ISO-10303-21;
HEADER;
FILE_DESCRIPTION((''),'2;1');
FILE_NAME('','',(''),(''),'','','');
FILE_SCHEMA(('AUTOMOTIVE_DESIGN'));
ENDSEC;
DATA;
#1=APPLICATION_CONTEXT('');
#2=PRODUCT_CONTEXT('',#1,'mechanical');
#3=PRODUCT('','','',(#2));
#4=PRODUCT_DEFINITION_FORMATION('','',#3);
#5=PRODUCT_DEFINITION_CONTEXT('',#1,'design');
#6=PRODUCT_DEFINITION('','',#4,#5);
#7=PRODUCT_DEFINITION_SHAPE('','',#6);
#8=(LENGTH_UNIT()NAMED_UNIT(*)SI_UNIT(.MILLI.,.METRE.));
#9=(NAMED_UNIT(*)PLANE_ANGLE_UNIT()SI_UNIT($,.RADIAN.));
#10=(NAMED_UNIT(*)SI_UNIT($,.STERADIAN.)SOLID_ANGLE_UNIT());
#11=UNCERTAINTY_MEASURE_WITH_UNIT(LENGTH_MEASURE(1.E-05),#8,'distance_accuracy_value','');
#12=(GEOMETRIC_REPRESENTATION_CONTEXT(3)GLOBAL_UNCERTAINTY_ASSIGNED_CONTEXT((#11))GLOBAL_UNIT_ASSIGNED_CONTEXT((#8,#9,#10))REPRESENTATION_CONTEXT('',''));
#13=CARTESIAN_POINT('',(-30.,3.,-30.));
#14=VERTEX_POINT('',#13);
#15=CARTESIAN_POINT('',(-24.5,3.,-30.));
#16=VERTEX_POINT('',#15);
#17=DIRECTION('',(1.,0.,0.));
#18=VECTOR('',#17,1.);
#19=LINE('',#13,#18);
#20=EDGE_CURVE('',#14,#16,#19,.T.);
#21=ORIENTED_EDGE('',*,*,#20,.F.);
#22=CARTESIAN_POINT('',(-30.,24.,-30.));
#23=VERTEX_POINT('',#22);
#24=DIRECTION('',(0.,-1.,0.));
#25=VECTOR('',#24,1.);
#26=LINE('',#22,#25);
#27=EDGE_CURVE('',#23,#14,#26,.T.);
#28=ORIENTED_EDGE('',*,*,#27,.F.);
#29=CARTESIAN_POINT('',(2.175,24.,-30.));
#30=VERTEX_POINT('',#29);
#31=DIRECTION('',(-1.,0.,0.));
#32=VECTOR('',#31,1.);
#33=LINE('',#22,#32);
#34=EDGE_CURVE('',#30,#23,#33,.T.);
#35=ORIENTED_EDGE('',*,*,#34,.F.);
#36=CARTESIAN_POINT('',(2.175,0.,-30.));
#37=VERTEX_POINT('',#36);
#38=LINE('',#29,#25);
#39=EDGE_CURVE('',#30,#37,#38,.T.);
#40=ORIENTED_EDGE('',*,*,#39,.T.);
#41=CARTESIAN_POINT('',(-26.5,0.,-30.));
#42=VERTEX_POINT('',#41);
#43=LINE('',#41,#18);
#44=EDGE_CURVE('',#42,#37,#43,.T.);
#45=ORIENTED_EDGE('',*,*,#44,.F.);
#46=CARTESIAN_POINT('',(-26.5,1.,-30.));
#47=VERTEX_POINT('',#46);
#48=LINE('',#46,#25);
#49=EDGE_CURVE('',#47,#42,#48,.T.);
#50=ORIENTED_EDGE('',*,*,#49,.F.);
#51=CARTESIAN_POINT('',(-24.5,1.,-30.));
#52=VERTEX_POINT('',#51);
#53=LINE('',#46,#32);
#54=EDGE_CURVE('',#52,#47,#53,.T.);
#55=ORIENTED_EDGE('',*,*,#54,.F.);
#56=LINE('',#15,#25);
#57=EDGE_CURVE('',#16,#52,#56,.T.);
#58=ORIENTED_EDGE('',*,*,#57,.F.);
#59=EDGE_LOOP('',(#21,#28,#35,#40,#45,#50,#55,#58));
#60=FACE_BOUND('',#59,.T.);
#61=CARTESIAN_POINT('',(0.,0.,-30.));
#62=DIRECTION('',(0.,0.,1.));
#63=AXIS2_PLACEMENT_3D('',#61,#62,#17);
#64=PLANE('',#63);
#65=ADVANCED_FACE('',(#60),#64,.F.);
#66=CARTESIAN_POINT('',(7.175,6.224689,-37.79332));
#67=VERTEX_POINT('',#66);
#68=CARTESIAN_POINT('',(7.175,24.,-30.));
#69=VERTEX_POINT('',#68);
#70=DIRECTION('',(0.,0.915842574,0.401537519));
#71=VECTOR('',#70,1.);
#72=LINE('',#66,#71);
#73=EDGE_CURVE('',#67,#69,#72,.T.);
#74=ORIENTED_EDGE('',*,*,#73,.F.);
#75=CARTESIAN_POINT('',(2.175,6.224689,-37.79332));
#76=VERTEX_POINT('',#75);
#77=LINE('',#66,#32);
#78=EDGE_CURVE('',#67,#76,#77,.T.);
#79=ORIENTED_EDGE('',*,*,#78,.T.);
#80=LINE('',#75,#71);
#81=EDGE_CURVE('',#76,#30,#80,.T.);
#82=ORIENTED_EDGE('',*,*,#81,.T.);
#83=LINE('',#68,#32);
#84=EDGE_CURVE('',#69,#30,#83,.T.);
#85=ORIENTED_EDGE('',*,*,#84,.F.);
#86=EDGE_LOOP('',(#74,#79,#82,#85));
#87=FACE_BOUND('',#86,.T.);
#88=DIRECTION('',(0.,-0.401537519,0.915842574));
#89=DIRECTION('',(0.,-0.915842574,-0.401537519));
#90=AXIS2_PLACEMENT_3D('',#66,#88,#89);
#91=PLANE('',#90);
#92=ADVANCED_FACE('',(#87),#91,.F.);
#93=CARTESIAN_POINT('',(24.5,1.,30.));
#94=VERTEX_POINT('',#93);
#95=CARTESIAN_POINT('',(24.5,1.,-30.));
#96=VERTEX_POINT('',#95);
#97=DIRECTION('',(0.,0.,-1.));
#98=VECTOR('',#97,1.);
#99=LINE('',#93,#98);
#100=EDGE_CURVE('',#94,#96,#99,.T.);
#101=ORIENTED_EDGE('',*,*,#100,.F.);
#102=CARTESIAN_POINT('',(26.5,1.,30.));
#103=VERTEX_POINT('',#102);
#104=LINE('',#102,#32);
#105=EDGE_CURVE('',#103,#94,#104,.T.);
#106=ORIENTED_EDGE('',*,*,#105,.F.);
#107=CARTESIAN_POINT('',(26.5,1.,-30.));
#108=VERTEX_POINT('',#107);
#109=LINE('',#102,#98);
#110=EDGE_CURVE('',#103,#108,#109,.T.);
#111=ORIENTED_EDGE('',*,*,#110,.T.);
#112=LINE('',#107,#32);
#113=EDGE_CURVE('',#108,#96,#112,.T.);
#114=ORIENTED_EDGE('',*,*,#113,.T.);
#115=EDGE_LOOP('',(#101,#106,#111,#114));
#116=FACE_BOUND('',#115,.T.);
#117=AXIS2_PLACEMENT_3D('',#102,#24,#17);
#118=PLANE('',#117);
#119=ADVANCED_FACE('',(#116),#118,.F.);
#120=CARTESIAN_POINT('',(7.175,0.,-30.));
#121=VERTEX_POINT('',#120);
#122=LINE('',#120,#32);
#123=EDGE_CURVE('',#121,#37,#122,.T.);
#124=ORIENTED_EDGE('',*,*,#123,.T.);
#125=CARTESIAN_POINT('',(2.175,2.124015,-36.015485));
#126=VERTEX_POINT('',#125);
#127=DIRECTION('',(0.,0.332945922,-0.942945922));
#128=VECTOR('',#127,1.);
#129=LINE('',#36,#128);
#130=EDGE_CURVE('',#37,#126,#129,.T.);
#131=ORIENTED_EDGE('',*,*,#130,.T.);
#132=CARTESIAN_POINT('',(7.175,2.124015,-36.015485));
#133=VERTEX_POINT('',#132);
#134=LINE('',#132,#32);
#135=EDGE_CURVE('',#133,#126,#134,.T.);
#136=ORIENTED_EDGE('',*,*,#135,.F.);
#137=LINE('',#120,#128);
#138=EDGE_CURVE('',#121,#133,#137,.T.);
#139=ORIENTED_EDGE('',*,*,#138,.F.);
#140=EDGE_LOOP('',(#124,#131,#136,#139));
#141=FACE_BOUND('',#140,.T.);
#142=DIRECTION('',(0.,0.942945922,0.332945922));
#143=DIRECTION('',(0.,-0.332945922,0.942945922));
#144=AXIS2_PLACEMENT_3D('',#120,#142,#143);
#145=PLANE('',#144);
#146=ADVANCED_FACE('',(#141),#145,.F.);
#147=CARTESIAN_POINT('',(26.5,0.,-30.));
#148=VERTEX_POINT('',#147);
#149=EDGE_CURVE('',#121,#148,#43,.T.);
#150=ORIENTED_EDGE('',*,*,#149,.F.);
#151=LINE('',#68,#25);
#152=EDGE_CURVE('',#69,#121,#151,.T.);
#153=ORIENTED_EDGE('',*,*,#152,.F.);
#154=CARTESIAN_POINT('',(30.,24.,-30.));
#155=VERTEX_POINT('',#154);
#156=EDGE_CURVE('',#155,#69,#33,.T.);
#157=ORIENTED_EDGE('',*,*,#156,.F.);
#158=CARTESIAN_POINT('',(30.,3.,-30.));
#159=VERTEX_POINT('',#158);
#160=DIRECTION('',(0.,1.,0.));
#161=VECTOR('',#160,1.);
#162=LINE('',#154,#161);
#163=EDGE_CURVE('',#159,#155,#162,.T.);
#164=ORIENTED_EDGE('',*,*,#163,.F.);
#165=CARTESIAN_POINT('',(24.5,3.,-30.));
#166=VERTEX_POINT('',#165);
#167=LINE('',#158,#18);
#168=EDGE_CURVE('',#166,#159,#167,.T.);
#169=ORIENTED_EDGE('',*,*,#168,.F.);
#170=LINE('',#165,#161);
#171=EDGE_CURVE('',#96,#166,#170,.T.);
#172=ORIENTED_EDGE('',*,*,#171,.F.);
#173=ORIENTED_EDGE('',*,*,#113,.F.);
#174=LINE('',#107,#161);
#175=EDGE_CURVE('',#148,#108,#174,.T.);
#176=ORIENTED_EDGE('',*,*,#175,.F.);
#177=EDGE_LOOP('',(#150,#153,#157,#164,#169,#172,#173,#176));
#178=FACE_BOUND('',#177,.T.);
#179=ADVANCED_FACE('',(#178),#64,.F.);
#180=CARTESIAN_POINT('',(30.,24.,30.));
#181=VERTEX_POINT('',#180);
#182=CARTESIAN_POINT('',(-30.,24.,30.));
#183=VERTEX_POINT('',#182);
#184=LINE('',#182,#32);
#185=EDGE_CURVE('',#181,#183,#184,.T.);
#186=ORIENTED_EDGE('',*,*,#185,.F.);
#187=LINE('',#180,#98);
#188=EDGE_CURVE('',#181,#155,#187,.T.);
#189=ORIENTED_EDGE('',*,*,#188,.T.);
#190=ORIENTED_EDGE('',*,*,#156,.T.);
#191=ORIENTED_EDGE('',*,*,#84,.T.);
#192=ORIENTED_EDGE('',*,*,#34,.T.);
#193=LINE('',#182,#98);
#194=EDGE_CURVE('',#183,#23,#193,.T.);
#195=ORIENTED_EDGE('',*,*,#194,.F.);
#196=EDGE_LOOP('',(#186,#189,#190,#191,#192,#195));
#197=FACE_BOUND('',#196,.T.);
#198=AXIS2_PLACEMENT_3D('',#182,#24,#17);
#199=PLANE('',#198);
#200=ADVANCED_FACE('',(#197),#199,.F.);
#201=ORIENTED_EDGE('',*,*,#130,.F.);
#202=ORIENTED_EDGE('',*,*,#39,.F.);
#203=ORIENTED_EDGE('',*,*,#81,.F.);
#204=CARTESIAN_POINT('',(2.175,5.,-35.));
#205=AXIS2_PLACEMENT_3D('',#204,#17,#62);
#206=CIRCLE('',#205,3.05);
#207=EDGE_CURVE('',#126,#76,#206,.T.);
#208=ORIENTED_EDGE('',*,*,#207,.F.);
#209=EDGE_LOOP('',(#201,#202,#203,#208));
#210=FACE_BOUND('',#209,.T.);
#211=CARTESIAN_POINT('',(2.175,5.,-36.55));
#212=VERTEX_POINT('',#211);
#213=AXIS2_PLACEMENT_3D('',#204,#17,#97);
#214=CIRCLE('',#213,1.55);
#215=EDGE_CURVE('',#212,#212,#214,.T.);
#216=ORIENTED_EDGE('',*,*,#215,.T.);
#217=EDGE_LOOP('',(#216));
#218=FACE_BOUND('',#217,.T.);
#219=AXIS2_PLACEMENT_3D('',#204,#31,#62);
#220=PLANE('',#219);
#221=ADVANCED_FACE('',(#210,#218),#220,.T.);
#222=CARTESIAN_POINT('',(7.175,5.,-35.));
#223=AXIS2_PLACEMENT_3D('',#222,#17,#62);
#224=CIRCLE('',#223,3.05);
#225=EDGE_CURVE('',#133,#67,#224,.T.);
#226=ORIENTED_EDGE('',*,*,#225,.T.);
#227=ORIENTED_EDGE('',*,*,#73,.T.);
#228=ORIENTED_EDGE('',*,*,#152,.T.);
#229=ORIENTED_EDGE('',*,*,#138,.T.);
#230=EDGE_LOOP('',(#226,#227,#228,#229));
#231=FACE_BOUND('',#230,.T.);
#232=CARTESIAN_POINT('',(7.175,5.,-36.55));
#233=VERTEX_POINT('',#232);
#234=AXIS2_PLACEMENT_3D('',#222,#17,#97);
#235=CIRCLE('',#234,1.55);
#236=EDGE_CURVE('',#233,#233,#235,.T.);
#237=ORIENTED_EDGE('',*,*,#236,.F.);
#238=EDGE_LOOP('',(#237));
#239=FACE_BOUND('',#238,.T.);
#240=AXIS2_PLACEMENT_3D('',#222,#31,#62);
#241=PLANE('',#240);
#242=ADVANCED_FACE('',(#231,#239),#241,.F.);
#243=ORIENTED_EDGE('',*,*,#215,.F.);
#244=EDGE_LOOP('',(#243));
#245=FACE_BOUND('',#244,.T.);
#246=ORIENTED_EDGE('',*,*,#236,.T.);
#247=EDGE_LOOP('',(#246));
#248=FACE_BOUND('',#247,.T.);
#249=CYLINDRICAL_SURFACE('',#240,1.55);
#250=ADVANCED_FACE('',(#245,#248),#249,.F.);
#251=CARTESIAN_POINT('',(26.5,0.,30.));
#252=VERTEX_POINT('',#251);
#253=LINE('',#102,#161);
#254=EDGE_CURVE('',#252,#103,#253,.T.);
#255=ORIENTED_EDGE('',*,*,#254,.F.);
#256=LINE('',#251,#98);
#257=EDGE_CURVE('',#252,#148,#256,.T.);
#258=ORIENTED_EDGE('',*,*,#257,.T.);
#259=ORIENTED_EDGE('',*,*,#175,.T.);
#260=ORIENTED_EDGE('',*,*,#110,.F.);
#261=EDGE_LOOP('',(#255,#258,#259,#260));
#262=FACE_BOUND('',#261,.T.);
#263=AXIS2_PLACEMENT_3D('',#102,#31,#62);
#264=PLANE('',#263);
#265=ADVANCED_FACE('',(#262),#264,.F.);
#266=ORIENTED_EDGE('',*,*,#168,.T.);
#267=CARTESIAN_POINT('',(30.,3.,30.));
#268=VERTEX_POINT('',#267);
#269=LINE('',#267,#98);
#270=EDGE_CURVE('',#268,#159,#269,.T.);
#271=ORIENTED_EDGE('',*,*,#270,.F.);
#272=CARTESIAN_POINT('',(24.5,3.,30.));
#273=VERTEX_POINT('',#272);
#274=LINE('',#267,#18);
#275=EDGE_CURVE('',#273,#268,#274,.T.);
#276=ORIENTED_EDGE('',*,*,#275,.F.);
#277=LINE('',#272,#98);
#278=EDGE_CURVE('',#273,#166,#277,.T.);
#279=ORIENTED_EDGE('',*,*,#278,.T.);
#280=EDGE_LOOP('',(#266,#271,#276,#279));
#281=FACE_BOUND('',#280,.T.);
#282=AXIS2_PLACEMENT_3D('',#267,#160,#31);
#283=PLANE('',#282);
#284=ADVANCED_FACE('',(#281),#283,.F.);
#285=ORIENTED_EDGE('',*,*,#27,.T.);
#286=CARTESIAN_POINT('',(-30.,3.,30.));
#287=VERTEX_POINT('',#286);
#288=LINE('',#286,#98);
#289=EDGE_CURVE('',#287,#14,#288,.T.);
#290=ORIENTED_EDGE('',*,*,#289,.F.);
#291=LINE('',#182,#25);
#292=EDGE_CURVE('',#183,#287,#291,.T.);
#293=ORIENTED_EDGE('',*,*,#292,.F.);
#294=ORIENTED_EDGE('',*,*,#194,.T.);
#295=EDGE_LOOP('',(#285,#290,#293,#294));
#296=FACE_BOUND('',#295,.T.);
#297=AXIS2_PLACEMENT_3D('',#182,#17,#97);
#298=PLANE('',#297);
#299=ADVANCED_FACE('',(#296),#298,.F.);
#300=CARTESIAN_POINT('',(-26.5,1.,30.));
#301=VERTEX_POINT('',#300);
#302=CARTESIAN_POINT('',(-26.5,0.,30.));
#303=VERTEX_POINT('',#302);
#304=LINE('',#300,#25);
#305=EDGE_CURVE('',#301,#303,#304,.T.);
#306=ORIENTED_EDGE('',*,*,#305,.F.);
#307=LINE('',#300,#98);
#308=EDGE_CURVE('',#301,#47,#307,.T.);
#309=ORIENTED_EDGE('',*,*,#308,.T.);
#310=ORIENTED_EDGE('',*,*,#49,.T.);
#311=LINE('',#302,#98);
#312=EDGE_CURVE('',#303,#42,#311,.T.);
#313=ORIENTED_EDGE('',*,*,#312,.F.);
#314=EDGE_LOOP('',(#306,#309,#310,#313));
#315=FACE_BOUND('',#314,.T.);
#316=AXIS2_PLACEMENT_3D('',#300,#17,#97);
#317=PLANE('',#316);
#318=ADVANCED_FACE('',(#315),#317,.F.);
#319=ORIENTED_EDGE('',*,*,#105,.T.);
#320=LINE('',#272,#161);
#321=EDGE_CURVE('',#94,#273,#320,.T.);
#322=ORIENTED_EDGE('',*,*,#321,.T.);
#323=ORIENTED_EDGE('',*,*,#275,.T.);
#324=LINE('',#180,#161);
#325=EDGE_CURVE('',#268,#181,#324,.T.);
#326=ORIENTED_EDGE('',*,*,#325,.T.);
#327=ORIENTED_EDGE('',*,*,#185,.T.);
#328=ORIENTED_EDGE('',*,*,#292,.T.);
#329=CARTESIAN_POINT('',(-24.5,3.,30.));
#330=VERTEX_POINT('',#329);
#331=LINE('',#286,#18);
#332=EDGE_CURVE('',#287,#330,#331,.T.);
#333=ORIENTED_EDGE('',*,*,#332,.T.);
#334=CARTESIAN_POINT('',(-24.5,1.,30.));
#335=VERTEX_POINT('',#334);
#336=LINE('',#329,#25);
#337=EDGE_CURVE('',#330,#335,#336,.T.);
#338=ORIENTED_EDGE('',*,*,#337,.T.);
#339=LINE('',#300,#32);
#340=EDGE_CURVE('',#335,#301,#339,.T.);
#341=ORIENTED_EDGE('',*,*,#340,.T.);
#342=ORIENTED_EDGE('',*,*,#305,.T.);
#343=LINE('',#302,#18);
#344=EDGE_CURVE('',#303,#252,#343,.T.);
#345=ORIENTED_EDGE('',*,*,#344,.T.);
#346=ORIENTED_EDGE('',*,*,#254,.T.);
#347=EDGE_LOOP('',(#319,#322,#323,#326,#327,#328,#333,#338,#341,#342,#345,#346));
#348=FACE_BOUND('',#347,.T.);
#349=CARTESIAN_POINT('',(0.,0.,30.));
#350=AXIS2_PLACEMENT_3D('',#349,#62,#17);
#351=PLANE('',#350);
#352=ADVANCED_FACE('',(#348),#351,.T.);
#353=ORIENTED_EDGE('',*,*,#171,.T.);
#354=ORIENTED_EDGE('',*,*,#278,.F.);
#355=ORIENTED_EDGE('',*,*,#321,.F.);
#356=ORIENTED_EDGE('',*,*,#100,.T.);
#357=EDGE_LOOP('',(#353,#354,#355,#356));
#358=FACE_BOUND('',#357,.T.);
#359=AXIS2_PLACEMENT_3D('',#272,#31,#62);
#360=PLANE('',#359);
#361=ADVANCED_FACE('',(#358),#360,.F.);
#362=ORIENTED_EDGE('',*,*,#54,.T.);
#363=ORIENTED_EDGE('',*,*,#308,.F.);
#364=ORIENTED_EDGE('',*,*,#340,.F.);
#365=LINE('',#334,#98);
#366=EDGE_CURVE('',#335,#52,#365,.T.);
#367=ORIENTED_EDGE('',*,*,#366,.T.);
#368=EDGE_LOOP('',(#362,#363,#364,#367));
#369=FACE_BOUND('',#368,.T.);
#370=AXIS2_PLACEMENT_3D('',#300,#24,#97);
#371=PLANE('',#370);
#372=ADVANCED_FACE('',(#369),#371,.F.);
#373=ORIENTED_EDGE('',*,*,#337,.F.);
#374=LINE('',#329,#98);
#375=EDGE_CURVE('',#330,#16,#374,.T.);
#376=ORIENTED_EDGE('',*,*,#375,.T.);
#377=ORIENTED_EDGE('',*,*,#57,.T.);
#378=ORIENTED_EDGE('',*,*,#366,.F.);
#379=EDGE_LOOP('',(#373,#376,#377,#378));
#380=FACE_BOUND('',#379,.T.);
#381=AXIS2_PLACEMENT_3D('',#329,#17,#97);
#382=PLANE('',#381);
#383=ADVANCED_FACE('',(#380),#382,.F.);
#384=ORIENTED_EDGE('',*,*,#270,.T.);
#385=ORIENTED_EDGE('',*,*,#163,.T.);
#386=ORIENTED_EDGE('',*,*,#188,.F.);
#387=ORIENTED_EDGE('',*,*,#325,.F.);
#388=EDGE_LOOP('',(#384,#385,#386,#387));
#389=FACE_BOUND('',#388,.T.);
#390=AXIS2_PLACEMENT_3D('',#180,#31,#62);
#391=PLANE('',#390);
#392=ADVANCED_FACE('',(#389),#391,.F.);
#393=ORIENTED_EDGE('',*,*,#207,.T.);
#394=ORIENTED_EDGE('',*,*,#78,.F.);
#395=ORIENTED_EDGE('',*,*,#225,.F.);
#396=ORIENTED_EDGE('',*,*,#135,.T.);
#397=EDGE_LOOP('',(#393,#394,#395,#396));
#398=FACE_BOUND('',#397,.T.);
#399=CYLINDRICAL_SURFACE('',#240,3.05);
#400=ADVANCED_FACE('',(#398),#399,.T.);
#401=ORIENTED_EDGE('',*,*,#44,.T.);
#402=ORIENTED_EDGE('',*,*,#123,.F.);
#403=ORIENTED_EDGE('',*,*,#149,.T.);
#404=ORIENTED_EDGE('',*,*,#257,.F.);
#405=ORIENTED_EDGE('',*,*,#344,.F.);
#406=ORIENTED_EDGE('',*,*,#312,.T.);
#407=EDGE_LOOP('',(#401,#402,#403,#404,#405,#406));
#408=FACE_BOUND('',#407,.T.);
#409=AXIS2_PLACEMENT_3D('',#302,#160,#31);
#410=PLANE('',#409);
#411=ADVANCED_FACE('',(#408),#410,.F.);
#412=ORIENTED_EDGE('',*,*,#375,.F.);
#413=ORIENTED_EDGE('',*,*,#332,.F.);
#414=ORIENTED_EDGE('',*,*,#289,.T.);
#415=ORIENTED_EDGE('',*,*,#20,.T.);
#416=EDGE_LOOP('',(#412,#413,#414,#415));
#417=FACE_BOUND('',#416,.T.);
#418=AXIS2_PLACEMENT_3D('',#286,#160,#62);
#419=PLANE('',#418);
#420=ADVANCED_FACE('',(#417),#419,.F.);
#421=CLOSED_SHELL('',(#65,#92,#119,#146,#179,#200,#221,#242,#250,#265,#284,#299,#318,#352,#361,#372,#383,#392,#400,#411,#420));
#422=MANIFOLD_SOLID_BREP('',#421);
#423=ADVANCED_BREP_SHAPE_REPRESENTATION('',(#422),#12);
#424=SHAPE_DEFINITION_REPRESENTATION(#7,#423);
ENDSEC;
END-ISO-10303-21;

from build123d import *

# Parameters (mm, degrees)
BOSS_EXTRUDE1_DEPTH = 30
BOSS_EXTRUDE2_START = 2.175
SKETCH2_R           = 1.55
BOSS_EXTRUDE2_DEPTH = 5


with BuildPart() as part:
    # Sketch1 → Boss-Extrude1 (new, symmetric)
    with BuildSketch(Plane.XY):
        Polygon((-26.5, 1), (-26.5, 0), (26.5, 0), (26.5, 1), (24.5, 1), (24.5, 3), (30, 3), (30, 24), (-30, 24), (-30, 3), (-24.5, 3), (-24.5, 1), align=None)
    extrude(amount=BOSS_EXTRUDE1_DEPTH, both=True)

    # Sketch2 → Boss-Extrude2 (add)
    with BuildSketch(Plane(origin=(0, 0, 0), x_dir=(0, 0, -1), z_dir=(1, 0, 0)).offset(BOSS_EXTRUDE2_START)):
        with BuildLine():
            ThreePointArc((36.015485064, 2.124014936), (37.798326563, 3.786794145), (37.793319851, 6.224689434))
            Line((37.793319851, 6.224689434), (30, 24))
            Line((30, 24), (30, 0))
            Line((30, 0), (36.015485064, 2.124014936))
        make_face()
        with Locations((35, 5)):
            Circle(SKETCH2_R, mode=Mode.SUBTRACT)
    extrude(amount=BOSS_EXTRUDE2_DEPTH)


solid = part.part
